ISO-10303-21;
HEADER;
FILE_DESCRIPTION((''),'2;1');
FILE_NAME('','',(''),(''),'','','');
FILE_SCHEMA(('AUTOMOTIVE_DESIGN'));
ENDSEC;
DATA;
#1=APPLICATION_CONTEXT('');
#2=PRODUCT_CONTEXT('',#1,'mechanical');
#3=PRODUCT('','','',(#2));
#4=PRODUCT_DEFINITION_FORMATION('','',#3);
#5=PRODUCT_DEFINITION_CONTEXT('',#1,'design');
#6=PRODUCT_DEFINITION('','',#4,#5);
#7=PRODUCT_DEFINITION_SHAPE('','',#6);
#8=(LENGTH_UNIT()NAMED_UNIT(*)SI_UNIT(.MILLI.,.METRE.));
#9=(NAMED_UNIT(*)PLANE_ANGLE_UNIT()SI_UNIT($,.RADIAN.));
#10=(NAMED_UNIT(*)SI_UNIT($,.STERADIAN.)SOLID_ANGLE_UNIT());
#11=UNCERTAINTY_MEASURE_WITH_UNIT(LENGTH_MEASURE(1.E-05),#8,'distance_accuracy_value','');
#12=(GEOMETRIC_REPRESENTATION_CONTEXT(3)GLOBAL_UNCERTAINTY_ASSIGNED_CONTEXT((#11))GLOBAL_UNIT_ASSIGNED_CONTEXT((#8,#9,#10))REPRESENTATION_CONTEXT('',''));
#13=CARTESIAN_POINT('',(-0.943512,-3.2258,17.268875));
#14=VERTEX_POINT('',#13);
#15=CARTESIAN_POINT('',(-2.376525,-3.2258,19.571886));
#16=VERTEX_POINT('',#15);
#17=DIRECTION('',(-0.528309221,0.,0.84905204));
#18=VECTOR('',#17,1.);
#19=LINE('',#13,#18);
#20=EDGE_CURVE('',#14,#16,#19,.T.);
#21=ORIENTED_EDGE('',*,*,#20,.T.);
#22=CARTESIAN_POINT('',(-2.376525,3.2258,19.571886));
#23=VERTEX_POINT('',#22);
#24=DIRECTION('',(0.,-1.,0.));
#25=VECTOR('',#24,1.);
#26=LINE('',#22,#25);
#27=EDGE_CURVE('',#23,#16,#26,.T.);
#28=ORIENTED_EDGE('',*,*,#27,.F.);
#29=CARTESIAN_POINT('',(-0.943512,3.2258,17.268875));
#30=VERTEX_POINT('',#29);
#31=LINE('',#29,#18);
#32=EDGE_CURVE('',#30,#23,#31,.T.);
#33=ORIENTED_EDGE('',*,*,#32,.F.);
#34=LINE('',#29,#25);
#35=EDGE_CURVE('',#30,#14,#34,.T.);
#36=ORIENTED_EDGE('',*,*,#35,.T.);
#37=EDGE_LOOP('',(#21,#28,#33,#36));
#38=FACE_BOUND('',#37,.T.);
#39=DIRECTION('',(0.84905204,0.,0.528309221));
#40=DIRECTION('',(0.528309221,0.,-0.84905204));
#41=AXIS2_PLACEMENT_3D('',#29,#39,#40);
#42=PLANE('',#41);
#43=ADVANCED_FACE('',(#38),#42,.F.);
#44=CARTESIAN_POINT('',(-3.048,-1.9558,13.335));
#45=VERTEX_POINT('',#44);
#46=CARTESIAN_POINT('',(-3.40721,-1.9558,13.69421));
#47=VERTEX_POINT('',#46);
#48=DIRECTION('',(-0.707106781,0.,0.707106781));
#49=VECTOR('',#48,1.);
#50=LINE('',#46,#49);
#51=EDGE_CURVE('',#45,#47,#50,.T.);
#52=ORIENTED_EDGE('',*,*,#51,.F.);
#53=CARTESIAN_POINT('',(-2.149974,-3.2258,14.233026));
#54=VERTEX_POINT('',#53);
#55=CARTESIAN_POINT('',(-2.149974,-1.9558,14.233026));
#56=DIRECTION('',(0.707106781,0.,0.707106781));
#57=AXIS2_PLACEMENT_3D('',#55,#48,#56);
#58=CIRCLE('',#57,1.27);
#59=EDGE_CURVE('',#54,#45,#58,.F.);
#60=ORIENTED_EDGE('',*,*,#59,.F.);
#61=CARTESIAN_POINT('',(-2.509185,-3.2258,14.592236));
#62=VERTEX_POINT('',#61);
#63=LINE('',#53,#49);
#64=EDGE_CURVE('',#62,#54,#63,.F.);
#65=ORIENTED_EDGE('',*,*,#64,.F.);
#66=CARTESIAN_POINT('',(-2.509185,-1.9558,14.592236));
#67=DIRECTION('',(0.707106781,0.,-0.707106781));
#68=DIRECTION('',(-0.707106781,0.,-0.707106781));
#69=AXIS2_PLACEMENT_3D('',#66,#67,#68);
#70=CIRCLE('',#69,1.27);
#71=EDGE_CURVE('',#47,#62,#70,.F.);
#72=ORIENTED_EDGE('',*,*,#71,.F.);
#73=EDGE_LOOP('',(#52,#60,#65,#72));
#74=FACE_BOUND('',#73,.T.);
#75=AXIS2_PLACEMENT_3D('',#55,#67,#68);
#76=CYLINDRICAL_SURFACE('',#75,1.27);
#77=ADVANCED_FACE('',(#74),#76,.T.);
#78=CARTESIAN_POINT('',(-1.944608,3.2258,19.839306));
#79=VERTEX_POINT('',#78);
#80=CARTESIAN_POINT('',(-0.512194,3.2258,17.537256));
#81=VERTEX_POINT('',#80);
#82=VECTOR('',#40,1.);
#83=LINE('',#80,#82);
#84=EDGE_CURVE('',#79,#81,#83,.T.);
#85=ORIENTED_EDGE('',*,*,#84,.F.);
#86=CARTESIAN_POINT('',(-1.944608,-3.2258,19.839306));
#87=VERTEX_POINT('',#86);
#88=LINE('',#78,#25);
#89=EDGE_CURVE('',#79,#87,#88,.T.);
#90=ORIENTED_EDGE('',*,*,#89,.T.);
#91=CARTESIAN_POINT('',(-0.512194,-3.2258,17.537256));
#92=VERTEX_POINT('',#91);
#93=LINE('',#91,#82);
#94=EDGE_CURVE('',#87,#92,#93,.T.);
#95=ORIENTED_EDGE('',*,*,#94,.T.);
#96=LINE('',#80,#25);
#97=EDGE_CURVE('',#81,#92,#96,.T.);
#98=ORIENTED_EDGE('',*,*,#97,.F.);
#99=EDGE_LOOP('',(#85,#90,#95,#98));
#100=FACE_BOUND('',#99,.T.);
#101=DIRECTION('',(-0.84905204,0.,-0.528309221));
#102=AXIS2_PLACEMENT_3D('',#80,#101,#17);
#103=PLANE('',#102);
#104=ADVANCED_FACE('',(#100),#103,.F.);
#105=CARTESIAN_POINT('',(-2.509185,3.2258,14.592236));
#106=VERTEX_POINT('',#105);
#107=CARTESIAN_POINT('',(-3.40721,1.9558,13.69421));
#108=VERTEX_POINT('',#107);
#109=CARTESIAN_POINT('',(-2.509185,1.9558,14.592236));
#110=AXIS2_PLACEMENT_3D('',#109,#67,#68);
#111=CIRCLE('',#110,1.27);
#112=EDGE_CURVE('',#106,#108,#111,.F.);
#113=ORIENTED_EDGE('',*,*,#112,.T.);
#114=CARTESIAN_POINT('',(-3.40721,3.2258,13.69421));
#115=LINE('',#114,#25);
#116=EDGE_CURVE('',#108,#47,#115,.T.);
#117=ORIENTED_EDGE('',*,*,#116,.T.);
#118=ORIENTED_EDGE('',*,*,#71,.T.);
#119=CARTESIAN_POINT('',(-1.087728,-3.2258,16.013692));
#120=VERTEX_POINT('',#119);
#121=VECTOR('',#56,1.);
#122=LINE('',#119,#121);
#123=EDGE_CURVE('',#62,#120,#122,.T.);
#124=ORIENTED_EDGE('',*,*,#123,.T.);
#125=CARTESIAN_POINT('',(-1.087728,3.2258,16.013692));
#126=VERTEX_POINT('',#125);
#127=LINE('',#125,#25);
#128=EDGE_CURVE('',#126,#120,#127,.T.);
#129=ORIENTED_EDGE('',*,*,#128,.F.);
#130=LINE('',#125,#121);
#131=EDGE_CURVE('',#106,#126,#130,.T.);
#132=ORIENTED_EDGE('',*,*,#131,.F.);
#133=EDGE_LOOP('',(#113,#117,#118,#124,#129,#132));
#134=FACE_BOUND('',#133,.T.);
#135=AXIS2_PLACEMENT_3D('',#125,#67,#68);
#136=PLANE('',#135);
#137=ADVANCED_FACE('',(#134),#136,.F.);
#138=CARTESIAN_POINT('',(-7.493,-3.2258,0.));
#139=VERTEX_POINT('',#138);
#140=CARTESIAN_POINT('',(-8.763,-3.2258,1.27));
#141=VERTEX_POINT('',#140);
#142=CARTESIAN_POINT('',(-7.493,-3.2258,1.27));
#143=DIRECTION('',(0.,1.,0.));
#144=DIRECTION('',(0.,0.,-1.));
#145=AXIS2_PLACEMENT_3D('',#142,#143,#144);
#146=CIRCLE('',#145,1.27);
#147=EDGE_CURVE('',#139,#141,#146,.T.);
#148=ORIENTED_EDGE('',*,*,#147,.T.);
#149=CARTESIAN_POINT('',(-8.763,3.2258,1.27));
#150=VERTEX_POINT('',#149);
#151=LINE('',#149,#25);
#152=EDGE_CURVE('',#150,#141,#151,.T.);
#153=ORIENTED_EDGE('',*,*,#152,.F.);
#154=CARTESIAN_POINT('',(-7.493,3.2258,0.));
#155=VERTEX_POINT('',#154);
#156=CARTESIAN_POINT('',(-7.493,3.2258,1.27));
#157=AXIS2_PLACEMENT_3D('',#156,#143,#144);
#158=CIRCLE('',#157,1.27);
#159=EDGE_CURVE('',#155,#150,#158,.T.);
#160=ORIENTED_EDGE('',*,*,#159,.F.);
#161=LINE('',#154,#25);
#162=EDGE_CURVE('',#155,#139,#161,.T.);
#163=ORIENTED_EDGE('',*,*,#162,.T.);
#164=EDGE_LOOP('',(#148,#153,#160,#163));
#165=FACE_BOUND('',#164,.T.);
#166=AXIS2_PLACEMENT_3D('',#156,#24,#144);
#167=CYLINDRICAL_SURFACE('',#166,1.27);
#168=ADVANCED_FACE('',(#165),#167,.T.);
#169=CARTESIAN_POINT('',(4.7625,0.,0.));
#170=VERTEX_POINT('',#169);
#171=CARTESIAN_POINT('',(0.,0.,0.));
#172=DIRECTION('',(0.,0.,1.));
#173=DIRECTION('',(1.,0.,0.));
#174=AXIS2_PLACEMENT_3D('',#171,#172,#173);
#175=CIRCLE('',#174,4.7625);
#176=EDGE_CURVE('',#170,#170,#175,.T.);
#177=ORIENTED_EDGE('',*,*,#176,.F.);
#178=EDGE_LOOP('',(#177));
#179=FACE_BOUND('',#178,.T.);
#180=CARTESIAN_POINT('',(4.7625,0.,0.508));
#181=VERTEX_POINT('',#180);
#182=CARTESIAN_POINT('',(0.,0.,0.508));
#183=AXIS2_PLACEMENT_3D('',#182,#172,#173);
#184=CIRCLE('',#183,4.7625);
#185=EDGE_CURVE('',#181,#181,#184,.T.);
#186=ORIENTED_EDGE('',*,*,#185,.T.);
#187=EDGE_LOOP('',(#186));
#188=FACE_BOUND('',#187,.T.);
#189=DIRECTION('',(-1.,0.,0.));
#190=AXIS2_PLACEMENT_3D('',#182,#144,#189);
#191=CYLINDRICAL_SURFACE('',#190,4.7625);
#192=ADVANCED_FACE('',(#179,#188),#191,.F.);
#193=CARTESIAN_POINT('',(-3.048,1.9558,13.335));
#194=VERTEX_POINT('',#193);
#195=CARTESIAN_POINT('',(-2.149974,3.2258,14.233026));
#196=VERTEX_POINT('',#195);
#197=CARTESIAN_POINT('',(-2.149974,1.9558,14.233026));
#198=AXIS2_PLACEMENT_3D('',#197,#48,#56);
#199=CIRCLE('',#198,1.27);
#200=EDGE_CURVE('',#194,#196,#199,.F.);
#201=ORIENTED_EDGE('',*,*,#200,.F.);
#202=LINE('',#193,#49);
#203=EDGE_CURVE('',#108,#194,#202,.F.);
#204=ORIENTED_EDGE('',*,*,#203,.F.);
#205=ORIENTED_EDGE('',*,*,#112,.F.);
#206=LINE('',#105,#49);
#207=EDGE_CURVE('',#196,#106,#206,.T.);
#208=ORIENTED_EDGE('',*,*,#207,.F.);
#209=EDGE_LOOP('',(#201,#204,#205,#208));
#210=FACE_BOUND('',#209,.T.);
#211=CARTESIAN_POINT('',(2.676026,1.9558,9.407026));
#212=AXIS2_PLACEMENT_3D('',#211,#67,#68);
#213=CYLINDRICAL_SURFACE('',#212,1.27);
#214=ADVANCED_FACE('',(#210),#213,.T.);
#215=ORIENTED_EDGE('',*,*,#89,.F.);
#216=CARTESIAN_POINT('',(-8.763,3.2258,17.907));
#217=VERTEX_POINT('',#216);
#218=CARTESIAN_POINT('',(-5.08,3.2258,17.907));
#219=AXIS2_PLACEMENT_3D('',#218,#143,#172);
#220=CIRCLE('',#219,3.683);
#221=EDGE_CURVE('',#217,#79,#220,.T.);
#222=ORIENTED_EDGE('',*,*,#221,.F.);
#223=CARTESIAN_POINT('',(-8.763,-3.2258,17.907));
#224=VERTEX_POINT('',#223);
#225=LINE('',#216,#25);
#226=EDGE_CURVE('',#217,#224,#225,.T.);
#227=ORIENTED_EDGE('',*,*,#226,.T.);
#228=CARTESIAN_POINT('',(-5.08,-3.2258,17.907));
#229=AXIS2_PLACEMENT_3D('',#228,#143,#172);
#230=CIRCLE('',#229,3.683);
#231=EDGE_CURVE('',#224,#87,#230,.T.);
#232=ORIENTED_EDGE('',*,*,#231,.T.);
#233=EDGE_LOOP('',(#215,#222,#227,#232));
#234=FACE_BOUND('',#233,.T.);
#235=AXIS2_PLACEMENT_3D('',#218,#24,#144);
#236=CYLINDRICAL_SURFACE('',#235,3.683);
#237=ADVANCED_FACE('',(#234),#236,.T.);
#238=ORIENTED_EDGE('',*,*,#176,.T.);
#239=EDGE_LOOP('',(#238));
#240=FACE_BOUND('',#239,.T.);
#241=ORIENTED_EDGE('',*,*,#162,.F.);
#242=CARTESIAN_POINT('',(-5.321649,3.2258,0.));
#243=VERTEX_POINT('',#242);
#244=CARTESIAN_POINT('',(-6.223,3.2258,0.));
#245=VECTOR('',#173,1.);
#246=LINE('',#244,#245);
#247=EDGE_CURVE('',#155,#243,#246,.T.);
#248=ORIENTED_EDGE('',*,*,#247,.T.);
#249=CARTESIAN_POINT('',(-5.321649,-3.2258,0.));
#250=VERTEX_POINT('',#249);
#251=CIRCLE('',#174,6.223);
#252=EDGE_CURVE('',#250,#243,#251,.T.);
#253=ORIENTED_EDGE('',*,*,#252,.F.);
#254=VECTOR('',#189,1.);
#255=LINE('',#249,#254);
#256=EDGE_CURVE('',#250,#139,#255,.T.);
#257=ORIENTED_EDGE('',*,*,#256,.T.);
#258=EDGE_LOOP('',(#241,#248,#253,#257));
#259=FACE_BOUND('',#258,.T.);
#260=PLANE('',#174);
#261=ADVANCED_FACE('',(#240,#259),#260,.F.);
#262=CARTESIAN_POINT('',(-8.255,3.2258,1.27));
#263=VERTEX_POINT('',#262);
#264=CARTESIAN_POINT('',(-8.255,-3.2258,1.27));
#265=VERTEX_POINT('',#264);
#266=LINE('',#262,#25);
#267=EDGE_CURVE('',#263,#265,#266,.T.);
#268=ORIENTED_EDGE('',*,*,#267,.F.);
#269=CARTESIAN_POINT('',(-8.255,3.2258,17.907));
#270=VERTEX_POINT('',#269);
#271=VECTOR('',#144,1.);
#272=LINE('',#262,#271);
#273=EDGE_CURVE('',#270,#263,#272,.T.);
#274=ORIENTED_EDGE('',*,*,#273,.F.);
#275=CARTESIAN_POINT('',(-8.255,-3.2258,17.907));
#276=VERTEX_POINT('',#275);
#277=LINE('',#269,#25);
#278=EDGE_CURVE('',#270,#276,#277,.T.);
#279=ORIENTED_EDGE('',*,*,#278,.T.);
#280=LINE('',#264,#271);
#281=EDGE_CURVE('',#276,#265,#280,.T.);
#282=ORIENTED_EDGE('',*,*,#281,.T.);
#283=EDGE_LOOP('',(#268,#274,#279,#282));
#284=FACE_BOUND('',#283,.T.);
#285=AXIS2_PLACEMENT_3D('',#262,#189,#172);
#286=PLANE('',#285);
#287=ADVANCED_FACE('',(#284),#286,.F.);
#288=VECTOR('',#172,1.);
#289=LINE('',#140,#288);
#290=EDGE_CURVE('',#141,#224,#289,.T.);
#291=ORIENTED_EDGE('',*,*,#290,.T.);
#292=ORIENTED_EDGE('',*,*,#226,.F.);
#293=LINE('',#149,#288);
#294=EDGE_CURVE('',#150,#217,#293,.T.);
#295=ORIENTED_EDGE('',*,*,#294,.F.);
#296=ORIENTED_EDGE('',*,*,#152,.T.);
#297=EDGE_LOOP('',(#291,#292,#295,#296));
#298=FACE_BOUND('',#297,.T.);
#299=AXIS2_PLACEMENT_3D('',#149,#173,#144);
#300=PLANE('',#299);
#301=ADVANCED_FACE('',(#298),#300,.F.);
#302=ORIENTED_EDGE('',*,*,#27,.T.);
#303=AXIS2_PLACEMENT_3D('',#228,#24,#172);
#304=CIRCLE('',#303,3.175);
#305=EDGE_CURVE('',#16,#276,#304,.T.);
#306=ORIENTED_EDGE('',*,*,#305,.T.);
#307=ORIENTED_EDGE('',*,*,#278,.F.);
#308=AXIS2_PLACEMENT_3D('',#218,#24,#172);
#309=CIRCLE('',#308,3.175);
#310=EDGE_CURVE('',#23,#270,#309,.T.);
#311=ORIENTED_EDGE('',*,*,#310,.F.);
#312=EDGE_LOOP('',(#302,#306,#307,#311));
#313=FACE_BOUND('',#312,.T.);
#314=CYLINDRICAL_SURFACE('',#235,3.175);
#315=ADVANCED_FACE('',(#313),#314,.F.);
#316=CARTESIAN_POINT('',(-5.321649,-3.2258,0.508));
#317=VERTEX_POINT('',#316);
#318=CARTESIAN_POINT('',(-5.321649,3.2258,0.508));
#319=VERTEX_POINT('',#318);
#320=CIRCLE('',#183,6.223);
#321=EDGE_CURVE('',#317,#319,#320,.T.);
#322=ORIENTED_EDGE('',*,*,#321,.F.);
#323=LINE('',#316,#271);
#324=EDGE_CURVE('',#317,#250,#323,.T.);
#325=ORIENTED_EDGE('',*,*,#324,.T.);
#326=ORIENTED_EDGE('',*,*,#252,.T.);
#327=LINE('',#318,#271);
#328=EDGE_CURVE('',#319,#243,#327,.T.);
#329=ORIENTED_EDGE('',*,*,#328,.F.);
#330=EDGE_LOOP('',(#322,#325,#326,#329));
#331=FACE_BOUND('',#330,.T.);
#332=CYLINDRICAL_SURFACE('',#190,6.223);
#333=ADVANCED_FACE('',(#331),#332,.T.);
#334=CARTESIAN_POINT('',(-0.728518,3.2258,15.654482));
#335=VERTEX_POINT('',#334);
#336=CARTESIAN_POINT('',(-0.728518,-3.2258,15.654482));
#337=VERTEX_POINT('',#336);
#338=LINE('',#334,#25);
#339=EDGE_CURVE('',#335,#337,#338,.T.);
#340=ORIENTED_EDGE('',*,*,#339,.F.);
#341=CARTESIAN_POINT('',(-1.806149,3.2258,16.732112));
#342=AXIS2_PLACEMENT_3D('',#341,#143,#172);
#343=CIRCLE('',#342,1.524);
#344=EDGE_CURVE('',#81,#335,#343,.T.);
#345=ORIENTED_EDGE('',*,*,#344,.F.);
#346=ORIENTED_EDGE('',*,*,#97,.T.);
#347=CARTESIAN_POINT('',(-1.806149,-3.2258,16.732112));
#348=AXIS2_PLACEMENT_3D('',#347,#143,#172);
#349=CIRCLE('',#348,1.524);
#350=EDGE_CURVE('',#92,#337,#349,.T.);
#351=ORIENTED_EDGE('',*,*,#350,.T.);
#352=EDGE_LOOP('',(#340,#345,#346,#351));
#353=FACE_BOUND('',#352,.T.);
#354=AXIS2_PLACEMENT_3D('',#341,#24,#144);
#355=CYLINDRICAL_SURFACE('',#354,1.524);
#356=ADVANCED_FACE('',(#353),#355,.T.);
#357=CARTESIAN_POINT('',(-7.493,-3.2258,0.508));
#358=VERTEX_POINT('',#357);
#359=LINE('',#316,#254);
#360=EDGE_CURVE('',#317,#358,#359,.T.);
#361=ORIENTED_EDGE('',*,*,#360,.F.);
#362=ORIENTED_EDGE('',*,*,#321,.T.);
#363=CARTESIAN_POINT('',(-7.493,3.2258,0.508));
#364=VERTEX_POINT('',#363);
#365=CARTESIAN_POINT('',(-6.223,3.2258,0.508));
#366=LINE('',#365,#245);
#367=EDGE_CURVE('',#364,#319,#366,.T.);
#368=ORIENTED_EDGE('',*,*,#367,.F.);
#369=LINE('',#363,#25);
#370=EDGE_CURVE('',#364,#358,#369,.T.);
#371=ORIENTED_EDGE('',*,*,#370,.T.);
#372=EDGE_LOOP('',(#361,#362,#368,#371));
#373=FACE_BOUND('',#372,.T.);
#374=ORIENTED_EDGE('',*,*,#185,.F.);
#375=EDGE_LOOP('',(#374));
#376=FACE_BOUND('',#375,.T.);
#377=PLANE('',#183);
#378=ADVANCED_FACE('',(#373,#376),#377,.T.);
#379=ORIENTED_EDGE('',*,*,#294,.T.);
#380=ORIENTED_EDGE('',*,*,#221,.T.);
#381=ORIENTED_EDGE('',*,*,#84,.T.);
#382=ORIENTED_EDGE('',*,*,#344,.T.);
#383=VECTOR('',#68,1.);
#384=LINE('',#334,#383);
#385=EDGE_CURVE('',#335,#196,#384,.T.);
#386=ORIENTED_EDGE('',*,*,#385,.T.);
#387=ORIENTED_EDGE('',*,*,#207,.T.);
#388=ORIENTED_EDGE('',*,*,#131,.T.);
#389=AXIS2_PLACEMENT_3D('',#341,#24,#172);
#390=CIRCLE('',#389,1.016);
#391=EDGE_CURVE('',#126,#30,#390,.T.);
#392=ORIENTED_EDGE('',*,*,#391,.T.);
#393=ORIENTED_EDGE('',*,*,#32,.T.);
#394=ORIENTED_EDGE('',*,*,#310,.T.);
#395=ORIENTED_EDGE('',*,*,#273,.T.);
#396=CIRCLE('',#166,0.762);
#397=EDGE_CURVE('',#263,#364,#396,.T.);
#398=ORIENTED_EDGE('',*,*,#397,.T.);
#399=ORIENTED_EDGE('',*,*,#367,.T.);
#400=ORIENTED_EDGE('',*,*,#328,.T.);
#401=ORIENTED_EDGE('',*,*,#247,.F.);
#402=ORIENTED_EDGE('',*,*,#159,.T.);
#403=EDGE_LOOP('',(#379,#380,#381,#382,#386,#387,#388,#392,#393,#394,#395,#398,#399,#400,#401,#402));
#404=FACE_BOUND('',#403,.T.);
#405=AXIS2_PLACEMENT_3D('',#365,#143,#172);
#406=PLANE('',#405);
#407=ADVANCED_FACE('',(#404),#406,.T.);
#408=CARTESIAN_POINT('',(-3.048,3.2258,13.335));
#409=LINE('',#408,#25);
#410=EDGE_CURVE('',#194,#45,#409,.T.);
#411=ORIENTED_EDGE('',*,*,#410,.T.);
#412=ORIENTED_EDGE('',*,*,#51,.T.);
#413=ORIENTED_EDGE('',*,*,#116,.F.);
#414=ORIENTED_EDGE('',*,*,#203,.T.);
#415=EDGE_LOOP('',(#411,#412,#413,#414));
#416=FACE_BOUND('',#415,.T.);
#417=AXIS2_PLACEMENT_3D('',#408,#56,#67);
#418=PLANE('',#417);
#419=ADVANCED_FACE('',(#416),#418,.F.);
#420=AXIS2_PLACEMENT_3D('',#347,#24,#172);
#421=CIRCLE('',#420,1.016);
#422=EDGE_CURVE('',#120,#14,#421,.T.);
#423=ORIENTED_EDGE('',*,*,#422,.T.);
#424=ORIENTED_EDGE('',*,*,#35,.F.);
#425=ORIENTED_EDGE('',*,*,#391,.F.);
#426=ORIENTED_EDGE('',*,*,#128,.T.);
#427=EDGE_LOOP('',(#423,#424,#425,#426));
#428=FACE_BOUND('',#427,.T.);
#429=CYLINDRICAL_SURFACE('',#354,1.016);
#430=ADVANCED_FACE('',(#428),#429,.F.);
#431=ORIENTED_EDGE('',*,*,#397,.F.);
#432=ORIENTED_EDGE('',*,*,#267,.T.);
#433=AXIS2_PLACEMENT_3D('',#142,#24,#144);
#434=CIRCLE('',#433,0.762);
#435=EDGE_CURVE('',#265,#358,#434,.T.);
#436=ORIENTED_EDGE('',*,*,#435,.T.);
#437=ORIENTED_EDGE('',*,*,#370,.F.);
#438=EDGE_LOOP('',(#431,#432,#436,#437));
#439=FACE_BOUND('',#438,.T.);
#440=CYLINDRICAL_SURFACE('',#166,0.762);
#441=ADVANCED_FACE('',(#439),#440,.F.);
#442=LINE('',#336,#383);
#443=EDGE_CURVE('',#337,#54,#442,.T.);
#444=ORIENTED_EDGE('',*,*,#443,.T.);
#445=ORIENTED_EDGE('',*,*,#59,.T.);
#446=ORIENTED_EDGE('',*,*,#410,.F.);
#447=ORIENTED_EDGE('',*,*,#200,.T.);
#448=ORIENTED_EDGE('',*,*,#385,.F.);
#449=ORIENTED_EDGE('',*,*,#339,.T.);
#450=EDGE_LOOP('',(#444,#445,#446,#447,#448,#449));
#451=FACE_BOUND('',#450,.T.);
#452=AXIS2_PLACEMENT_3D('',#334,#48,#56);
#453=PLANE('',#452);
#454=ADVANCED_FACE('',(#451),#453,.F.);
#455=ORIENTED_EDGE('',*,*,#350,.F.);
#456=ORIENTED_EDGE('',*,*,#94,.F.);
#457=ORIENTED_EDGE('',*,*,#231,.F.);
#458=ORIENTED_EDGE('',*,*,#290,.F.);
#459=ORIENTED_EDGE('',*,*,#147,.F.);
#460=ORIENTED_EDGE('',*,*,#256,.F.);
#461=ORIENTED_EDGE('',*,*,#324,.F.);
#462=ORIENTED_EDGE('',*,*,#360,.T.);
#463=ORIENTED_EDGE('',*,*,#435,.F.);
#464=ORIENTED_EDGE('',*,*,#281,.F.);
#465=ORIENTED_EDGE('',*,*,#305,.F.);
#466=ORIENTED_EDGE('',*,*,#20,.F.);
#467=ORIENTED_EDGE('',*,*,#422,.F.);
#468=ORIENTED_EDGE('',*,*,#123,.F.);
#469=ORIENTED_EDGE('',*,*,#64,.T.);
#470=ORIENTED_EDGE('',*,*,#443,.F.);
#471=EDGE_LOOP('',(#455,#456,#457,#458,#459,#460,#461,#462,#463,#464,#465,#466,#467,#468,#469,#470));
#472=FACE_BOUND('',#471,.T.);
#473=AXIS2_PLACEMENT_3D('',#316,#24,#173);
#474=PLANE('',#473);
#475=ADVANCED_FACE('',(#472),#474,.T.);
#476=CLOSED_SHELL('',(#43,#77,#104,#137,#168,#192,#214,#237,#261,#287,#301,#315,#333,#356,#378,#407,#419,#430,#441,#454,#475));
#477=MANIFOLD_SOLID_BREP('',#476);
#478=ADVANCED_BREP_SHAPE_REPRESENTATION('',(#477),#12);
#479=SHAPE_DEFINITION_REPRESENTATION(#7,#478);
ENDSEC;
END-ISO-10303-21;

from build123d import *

# Parameters (mm, degrees)
SKETCH1_R           = 6.223
SKETCH1_R_2         = 4.7625
EXTRUDE1_DEPTH      = 0.508
EXTRUDE2_DEPTH      = 3.2258
EXTRUDE2_DEPTH_BACK = 3.2258
SKETCH3_W           = 0.901351443
SKETCH3_H           = 6.4516
EXTRUDE3_DEPTH      = 0.508
FILLET1_R           = 1.27


with BuildPart() as part:
    # Sketch1 → Extrude1 (new body)
    with BuildSketch(Plane.XY):
        Circle(SKETCH1_R)
        Circle(SKETCH1_R_2, mode=Mode.SUBTRACT)
    extrude(amount=EXTRUDE1_DEPTH)



with BuildPart() as body_2:
    # Sketch2 → Extrude2 (new, two sides: drawn at the far end of the back side and taken through both)
    with BuildSketch(Plane(origin=(0, 0, 0), x_dir=(1, 0, 0), z_dir=(0, 1, 0)).offset(-EXTRUDE2_DEPTH_BACK)):
        with BuildLine():
            Line((-6.223, 0), (-7.493, 0))
            ThreePointArc((-7.493, 0), (-8.391025612, -0.371974388), (-8.763, -1.27))
            Line((-8.763, -1.27), (-8.763, -17.907))
            ThreePointArc((-8.763, -17.907), (-6.08420147, -21.450454304), (-1.94460825, -19.839306284))
            Line((-1.94460825, -19.839306284), (-0.512193665, -17.537255749))
            ThreePointArc((-0.512193665, -17.537255749), (-0.292109819, -16.558154348), (-0.728518239, -15.654481761))
            Line((-0.728518239, -15.654481761), (-3.048, -13.335))
            Line((-3.048, -13.335), (-3.407210245, -13.694210245))
            Line((-3.407210245, -13.694210245), (-1.087728484, -16.013692006))
            ThreePointArc((-1.087728484, -16.013692006), (-0.796789537, -16.616140397), (-0.943512101, -17.268874664))
            Line((-0.943512101, -17.268874664), (-2.376524764, -19.571886378))
            ThreePointArc((-2.376524764, -19.571886378), (-5.945185277, -20.961845239), (-8.255, -17.907))
            Line((-8.255, -17.907), (-8.255, -1.27))
            ThreePointArc((-8.255, -1.27), (-8.031815367, -0.731184633), (-7.493, -0.508))
            Line((-7.493, -0.508), (-6.223, -0.508))
            Line((-6.223, -0.508), (-6.223, 0))
        make_face()
    extrude(amount=EXTRUDE2_DEPTH + EXTRUDE2_DEPTH_BACK)


with BuildPart() as part_1:
    add(part.part)

    add(body_2.part)  # Extrude3 merges body 2
    # Sketch3 → Extrude3 (add)
    with BuildSketch(Plane(origin=(0, 0, 0), x_dir=(-1, 0, 0), z_dir=(0, 0, -1))):
        with Locations((5.772324279, 0)):
            Rectangle(SKETCH3_W, SKETCH3_H)
    extrude(amount=-EXTRUDE3_DEPTH)

    # Fillet1
    fillet1_edges = [part_1.edges().sort_by_distance(p)[0] for p in [
        (-3.227605122, -3.2258, 13.514605122),
        (-3.227605122, 3.2258, 13.514605122),
    ]]
    fillet(fillet1_edges, radius=FILLET1_R)


solid = part_1.part
